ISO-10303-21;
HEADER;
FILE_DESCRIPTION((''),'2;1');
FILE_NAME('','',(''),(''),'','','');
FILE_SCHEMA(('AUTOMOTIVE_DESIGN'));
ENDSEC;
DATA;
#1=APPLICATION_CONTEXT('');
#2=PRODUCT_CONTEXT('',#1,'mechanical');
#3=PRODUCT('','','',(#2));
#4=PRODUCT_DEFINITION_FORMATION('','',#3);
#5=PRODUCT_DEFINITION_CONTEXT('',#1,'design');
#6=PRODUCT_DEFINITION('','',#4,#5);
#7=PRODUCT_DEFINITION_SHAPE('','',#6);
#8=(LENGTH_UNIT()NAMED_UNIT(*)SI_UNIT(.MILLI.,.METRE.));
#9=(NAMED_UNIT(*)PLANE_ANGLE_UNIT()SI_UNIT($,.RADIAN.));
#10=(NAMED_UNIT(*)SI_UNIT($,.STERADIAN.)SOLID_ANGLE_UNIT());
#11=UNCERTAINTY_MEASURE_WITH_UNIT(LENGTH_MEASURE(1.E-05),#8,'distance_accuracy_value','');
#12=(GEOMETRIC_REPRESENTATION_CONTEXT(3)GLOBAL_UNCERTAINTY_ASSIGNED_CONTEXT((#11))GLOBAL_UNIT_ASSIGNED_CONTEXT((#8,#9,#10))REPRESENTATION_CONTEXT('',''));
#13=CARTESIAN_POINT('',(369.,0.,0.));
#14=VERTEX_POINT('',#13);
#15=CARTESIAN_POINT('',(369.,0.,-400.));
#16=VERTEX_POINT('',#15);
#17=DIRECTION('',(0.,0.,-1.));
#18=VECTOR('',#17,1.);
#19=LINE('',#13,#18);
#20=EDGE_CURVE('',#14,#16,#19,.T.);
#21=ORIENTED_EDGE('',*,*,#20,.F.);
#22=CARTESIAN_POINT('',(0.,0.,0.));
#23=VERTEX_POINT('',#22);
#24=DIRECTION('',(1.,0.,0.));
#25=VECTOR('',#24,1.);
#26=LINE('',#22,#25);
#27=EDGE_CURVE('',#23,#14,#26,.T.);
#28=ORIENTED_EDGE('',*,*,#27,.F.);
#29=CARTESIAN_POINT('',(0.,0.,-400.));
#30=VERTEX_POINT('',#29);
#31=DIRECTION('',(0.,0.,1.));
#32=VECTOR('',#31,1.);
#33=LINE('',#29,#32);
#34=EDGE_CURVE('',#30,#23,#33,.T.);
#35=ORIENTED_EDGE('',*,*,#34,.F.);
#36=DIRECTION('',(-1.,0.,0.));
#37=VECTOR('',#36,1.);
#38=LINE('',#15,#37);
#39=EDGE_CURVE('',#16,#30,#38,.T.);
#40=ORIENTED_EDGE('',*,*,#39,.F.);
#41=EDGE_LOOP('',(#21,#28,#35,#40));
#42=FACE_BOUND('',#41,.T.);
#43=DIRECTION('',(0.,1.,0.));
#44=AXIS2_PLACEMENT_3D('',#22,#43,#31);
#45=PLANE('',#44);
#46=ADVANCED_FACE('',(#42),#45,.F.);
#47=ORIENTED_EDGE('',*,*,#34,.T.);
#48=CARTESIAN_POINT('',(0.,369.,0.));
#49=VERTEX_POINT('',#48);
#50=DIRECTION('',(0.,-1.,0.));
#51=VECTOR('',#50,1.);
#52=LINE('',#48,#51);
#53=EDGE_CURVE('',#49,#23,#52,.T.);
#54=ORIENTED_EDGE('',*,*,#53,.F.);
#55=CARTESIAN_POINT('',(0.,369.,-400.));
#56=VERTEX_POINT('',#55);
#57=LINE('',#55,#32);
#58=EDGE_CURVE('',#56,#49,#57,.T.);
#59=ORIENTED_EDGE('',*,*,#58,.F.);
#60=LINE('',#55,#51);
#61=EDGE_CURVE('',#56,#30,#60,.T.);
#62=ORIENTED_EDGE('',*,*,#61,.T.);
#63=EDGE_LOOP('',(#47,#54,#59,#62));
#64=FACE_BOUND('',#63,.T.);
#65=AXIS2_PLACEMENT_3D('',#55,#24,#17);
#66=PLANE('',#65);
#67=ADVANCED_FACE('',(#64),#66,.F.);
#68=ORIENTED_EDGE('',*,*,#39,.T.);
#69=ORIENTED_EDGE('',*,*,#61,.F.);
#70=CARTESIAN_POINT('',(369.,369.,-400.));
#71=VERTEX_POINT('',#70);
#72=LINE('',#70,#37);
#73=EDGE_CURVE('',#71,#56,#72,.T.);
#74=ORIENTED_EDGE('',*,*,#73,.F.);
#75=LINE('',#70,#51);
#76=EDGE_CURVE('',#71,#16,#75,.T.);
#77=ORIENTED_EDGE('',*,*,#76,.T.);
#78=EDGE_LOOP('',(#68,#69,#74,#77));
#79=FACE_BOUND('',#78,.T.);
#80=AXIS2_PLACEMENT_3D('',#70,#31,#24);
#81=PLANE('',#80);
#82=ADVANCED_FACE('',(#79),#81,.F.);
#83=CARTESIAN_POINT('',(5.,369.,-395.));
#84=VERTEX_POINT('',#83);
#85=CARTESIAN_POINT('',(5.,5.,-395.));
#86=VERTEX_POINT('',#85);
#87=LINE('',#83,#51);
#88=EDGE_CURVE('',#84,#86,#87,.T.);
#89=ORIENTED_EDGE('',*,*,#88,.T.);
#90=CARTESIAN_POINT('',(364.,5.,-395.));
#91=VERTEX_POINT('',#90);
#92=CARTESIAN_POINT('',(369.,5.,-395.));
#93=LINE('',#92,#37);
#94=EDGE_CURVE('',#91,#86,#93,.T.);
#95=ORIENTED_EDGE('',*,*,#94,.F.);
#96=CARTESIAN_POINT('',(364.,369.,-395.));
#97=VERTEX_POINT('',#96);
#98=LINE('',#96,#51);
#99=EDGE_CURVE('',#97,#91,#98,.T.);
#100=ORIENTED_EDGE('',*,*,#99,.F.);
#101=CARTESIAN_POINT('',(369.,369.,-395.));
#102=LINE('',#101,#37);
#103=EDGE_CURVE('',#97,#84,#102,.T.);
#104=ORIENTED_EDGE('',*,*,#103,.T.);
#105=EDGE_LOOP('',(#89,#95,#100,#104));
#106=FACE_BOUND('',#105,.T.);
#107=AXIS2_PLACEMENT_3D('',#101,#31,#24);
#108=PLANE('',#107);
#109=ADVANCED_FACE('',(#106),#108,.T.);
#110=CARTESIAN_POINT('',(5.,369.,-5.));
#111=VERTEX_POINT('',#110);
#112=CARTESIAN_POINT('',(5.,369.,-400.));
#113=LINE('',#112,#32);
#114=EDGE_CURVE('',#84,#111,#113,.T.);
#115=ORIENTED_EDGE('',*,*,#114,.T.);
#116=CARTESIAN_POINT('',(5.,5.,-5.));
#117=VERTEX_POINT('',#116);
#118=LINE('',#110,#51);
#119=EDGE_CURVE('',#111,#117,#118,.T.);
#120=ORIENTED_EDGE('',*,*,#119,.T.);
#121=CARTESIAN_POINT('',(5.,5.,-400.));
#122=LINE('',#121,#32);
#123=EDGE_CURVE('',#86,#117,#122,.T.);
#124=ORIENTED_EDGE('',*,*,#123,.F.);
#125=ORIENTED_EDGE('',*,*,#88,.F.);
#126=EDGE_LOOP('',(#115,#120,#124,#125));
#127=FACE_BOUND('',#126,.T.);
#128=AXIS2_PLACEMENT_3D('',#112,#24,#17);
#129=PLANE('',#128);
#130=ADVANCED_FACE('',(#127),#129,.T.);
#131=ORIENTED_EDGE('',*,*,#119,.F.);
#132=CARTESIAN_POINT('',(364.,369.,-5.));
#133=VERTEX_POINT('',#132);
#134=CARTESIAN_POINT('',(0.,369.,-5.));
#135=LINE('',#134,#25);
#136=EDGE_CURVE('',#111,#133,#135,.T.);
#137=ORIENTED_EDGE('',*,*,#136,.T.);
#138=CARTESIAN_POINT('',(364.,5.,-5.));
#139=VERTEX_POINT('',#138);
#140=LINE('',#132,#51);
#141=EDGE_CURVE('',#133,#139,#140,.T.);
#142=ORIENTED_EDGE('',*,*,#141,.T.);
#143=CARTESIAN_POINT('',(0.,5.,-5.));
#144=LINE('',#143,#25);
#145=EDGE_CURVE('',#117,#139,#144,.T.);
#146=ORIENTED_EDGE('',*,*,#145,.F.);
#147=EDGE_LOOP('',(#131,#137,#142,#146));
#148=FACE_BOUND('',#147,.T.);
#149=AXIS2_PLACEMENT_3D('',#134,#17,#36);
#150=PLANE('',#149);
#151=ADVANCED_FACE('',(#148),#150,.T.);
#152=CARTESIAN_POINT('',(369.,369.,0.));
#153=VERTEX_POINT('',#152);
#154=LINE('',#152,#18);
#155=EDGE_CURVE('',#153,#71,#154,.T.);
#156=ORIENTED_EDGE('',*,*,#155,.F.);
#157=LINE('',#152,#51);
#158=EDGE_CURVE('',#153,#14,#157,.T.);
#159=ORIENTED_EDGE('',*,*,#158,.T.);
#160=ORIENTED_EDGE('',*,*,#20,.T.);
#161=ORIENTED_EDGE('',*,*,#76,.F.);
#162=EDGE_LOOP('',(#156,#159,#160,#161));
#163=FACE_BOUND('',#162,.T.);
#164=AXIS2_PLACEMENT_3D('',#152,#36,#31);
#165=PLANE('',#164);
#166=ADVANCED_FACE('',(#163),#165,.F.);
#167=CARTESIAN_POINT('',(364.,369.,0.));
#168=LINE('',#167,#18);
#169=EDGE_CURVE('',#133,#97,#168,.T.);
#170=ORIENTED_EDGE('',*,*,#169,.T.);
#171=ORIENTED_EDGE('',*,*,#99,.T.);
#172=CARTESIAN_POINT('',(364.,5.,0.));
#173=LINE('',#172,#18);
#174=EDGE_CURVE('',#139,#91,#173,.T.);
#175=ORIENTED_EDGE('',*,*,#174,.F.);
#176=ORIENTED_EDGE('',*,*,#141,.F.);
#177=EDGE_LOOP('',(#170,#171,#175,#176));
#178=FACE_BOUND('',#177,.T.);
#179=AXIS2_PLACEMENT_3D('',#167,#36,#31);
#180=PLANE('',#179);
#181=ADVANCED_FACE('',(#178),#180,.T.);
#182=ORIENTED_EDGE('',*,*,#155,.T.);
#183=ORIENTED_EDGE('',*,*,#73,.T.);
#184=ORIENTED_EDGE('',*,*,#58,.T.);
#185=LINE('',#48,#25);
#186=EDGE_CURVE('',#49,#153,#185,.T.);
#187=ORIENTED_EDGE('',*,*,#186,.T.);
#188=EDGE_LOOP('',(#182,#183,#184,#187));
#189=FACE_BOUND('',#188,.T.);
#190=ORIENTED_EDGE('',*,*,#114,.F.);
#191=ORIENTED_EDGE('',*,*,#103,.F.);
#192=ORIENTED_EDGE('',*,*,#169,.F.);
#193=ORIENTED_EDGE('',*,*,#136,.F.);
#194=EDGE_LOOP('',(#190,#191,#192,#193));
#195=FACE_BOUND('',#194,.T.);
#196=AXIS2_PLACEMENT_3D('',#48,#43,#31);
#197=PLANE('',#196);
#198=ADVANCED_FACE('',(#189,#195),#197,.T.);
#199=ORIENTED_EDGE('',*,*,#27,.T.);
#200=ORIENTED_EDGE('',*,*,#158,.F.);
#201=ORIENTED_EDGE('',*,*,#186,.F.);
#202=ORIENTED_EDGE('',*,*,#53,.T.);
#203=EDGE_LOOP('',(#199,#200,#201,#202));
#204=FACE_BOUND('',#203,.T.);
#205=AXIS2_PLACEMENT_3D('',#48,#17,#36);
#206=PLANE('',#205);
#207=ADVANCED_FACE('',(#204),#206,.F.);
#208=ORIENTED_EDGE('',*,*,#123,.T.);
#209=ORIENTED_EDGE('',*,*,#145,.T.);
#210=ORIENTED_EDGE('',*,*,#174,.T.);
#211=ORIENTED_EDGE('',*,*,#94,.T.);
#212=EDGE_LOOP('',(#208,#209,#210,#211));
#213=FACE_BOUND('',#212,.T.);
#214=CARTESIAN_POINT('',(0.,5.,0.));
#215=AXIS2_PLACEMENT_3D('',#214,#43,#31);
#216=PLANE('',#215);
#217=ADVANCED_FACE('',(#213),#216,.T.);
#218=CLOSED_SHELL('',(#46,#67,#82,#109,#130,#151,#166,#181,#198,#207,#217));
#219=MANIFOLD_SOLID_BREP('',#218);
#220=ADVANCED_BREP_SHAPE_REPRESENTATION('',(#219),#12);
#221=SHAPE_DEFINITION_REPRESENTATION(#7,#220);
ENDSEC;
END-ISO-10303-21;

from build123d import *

# Parameters (mm, degrees)
ESQUISSE1_W        = 369
ESQUISSE1_H        = 400
BOSS_EXTRU_1_DEPTH = 369
COQUE1_T           = -5


with BuildPart() as part:
    # Esquisse1 → Boss.-Extru.1 (new body)
    with BuildSketch(Plane(origin=(0, 0, 0), x_dir=(1, 0, 0), z_dir=(0, 1, 0))):
        with Locations((184.5, 200)):
            Rectangle(ESQUISSE1_W, ESQUISSE1_H)
    extrude(amount=BOSS_EXTRU_1_DEPTH)

    # Coque1
    coque1_openings = [part.faces().sort_by_distance(p)[0] for p in [
        (184.5, 369, -200),
    ]]
    offset(amount=COQUE1_T, openings=coque1_openings, kind=Kind.INTERSECTION)


solid = part.part
